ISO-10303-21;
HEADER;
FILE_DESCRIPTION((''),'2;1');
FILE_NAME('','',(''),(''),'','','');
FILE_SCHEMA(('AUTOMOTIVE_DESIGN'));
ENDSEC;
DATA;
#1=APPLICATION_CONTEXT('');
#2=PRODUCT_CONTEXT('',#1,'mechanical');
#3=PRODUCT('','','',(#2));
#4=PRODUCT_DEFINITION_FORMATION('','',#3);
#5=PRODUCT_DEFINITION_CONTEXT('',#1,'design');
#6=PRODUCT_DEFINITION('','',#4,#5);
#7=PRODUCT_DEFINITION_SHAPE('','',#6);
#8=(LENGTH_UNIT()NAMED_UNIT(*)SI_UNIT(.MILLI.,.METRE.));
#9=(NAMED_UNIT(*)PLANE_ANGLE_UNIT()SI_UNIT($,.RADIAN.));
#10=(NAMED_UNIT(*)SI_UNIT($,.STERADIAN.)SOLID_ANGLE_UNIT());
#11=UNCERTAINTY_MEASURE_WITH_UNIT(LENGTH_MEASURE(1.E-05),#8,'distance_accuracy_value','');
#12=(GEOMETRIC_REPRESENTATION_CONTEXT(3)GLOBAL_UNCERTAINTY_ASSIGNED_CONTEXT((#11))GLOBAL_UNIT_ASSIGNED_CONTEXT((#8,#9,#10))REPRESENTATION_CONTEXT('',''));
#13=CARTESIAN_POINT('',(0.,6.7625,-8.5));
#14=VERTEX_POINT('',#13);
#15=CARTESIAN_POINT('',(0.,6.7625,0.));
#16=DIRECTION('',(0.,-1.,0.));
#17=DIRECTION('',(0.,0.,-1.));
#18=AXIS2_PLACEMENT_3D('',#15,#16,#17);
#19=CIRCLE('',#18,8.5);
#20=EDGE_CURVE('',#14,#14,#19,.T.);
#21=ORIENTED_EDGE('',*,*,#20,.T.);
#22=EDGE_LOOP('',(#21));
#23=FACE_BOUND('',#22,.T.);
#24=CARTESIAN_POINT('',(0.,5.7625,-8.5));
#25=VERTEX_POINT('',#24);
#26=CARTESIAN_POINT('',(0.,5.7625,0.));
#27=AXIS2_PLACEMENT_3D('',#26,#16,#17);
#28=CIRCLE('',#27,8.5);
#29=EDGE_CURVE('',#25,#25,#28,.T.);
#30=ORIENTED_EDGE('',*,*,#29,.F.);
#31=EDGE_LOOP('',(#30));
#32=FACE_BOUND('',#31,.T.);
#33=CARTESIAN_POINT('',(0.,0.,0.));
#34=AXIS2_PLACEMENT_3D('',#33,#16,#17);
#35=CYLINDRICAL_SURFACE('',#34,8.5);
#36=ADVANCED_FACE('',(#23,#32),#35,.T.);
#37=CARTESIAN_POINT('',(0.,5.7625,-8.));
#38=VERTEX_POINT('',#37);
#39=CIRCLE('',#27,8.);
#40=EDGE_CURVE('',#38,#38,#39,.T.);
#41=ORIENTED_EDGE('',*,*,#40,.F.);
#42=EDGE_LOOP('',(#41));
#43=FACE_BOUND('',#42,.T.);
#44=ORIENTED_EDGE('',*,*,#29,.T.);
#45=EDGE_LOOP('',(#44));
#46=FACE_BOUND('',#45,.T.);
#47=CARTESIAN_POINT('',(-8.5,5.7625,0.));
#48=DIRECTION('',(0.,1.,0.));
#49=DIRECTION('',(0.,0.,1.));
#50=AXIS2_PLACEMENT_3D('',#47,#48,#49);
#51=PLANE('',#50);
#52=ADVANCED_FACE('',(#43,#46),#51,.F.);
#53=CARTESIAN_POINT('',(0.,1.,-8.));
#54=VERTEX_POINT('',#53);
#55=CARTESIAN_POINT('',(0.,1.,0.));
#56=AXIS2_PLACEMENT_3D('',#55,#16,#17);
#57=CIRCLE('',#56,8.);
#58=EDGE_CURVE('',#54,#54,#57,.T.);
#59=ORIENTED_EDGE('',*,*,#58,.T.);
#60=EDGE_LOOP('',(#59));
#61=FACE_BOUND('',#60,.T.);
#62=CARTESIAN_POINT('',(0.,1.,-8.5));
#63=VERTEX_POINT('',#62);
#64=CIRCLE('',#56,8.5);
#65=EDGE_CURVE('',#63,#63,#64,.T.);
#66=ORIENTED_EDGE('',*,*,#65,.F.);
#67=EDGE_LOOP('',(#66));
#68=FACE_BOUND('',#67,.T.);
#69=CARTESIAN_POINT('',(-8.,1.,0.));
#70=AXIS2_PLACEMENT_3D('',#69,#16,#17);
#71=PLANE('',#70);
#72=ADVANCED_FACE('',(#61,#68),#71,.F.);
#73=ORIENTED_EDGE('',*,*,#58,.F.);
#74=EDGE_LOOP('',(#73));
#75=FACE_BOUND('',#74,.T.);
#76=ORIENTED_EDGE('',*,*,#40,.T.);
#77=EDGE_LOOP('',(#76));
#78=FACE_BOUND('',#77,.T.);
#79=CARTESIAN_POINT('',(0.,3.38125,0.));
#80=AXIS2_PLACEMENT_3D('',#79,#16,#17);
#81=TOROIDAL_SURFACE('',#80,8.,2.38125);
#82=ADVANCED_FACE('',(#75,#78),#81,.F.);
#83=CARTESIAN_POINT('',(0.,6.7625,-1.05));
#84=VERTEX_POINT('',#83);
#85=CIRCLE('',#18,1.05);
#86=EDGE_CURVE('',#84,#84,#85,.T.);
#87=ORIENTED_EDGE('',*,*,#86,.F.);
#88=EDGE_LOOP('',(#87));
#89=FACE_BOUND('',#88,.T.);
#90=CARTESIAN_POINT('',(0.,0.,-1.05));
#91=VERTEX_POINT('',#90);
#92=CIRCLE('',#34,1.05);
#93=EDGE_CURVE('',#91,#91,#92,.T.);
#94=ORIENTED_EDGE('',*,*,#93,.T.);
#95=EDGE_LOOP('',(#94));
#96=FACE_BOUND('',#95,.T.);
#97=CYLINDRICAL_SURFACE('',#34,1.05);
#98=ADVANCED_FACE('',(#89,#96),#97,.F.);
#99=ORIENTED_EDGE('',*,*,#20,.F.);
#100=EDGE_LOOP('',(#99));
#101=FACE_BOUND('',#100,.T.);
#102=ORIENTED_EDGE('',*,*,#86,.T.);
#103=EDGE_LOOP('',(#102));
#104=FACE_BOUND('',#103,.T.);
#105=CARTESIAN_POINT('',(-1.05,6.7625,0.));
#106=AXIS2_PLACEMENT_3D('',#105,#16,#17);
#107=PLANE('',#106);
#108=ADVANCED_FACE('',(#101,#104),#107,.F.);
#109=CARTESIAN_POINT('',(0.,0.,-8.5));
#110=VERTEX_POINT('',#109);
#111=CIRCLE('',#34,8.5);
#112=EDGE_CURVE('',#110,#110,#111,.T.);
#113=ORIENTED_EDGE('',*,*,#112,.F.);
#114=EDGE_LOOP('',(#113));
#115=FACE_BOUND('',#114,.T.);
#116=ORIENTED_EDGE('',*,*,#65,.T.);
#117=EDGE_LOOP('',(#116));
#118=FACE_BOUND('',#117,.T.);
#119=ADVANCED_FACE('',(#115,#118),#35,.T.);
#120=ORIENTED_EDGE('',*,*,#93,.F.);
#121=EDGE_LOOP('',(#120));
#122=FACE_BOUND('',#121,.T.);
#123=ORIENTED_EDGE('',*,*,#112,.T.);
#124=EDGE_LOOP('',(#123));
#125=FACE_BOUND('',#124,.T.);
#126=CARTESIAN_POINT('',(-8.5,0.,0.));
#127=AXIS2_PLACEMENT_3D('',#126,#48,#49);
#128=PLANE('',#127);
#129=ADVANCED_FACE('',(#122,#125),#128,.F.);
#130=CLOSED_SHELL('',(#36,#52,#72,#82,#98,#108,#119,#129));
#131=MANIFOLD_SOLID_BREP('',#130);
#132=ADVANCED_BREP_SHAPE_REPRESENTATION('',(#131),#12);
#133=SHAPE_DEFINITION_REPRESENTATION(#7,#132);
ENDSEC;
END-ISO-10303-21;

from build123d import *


with BuildPart() as part:
    # Sketch1 → Revolve1 (revolve)
    with BuildSketch(Plane.XY, mode=Mode.PRIVATE) as revolve1_sk:
        with BuildLine():
            Line((-1.05, 0), (-1.05, 6.7625))
            Line((-1.05, 6.7625), (-8.5, 6.7625))
            Line((-8.5, 6.7625), (-8.5, 5.7625))
            Line((-8.5, 5.7625), (-8, 5.7625))
            ThreePointArc((-8, 5.7625), (-5.61875, 3.38125), (-8, 1))
            Line((-8, 1), (-8.5, 1))
            Line((-8.5, 1), (-8.5, 0))
            Line((-8.5, 0), (-1.05, 0))
        make_face()
    revolve(revolve1_sk.sketch.rotate(Axis((0, 0, 0), (0, 1, 0)), 270), axis=Axis((0, 0, 0), (0, 1, 0)))


solid = part.part
